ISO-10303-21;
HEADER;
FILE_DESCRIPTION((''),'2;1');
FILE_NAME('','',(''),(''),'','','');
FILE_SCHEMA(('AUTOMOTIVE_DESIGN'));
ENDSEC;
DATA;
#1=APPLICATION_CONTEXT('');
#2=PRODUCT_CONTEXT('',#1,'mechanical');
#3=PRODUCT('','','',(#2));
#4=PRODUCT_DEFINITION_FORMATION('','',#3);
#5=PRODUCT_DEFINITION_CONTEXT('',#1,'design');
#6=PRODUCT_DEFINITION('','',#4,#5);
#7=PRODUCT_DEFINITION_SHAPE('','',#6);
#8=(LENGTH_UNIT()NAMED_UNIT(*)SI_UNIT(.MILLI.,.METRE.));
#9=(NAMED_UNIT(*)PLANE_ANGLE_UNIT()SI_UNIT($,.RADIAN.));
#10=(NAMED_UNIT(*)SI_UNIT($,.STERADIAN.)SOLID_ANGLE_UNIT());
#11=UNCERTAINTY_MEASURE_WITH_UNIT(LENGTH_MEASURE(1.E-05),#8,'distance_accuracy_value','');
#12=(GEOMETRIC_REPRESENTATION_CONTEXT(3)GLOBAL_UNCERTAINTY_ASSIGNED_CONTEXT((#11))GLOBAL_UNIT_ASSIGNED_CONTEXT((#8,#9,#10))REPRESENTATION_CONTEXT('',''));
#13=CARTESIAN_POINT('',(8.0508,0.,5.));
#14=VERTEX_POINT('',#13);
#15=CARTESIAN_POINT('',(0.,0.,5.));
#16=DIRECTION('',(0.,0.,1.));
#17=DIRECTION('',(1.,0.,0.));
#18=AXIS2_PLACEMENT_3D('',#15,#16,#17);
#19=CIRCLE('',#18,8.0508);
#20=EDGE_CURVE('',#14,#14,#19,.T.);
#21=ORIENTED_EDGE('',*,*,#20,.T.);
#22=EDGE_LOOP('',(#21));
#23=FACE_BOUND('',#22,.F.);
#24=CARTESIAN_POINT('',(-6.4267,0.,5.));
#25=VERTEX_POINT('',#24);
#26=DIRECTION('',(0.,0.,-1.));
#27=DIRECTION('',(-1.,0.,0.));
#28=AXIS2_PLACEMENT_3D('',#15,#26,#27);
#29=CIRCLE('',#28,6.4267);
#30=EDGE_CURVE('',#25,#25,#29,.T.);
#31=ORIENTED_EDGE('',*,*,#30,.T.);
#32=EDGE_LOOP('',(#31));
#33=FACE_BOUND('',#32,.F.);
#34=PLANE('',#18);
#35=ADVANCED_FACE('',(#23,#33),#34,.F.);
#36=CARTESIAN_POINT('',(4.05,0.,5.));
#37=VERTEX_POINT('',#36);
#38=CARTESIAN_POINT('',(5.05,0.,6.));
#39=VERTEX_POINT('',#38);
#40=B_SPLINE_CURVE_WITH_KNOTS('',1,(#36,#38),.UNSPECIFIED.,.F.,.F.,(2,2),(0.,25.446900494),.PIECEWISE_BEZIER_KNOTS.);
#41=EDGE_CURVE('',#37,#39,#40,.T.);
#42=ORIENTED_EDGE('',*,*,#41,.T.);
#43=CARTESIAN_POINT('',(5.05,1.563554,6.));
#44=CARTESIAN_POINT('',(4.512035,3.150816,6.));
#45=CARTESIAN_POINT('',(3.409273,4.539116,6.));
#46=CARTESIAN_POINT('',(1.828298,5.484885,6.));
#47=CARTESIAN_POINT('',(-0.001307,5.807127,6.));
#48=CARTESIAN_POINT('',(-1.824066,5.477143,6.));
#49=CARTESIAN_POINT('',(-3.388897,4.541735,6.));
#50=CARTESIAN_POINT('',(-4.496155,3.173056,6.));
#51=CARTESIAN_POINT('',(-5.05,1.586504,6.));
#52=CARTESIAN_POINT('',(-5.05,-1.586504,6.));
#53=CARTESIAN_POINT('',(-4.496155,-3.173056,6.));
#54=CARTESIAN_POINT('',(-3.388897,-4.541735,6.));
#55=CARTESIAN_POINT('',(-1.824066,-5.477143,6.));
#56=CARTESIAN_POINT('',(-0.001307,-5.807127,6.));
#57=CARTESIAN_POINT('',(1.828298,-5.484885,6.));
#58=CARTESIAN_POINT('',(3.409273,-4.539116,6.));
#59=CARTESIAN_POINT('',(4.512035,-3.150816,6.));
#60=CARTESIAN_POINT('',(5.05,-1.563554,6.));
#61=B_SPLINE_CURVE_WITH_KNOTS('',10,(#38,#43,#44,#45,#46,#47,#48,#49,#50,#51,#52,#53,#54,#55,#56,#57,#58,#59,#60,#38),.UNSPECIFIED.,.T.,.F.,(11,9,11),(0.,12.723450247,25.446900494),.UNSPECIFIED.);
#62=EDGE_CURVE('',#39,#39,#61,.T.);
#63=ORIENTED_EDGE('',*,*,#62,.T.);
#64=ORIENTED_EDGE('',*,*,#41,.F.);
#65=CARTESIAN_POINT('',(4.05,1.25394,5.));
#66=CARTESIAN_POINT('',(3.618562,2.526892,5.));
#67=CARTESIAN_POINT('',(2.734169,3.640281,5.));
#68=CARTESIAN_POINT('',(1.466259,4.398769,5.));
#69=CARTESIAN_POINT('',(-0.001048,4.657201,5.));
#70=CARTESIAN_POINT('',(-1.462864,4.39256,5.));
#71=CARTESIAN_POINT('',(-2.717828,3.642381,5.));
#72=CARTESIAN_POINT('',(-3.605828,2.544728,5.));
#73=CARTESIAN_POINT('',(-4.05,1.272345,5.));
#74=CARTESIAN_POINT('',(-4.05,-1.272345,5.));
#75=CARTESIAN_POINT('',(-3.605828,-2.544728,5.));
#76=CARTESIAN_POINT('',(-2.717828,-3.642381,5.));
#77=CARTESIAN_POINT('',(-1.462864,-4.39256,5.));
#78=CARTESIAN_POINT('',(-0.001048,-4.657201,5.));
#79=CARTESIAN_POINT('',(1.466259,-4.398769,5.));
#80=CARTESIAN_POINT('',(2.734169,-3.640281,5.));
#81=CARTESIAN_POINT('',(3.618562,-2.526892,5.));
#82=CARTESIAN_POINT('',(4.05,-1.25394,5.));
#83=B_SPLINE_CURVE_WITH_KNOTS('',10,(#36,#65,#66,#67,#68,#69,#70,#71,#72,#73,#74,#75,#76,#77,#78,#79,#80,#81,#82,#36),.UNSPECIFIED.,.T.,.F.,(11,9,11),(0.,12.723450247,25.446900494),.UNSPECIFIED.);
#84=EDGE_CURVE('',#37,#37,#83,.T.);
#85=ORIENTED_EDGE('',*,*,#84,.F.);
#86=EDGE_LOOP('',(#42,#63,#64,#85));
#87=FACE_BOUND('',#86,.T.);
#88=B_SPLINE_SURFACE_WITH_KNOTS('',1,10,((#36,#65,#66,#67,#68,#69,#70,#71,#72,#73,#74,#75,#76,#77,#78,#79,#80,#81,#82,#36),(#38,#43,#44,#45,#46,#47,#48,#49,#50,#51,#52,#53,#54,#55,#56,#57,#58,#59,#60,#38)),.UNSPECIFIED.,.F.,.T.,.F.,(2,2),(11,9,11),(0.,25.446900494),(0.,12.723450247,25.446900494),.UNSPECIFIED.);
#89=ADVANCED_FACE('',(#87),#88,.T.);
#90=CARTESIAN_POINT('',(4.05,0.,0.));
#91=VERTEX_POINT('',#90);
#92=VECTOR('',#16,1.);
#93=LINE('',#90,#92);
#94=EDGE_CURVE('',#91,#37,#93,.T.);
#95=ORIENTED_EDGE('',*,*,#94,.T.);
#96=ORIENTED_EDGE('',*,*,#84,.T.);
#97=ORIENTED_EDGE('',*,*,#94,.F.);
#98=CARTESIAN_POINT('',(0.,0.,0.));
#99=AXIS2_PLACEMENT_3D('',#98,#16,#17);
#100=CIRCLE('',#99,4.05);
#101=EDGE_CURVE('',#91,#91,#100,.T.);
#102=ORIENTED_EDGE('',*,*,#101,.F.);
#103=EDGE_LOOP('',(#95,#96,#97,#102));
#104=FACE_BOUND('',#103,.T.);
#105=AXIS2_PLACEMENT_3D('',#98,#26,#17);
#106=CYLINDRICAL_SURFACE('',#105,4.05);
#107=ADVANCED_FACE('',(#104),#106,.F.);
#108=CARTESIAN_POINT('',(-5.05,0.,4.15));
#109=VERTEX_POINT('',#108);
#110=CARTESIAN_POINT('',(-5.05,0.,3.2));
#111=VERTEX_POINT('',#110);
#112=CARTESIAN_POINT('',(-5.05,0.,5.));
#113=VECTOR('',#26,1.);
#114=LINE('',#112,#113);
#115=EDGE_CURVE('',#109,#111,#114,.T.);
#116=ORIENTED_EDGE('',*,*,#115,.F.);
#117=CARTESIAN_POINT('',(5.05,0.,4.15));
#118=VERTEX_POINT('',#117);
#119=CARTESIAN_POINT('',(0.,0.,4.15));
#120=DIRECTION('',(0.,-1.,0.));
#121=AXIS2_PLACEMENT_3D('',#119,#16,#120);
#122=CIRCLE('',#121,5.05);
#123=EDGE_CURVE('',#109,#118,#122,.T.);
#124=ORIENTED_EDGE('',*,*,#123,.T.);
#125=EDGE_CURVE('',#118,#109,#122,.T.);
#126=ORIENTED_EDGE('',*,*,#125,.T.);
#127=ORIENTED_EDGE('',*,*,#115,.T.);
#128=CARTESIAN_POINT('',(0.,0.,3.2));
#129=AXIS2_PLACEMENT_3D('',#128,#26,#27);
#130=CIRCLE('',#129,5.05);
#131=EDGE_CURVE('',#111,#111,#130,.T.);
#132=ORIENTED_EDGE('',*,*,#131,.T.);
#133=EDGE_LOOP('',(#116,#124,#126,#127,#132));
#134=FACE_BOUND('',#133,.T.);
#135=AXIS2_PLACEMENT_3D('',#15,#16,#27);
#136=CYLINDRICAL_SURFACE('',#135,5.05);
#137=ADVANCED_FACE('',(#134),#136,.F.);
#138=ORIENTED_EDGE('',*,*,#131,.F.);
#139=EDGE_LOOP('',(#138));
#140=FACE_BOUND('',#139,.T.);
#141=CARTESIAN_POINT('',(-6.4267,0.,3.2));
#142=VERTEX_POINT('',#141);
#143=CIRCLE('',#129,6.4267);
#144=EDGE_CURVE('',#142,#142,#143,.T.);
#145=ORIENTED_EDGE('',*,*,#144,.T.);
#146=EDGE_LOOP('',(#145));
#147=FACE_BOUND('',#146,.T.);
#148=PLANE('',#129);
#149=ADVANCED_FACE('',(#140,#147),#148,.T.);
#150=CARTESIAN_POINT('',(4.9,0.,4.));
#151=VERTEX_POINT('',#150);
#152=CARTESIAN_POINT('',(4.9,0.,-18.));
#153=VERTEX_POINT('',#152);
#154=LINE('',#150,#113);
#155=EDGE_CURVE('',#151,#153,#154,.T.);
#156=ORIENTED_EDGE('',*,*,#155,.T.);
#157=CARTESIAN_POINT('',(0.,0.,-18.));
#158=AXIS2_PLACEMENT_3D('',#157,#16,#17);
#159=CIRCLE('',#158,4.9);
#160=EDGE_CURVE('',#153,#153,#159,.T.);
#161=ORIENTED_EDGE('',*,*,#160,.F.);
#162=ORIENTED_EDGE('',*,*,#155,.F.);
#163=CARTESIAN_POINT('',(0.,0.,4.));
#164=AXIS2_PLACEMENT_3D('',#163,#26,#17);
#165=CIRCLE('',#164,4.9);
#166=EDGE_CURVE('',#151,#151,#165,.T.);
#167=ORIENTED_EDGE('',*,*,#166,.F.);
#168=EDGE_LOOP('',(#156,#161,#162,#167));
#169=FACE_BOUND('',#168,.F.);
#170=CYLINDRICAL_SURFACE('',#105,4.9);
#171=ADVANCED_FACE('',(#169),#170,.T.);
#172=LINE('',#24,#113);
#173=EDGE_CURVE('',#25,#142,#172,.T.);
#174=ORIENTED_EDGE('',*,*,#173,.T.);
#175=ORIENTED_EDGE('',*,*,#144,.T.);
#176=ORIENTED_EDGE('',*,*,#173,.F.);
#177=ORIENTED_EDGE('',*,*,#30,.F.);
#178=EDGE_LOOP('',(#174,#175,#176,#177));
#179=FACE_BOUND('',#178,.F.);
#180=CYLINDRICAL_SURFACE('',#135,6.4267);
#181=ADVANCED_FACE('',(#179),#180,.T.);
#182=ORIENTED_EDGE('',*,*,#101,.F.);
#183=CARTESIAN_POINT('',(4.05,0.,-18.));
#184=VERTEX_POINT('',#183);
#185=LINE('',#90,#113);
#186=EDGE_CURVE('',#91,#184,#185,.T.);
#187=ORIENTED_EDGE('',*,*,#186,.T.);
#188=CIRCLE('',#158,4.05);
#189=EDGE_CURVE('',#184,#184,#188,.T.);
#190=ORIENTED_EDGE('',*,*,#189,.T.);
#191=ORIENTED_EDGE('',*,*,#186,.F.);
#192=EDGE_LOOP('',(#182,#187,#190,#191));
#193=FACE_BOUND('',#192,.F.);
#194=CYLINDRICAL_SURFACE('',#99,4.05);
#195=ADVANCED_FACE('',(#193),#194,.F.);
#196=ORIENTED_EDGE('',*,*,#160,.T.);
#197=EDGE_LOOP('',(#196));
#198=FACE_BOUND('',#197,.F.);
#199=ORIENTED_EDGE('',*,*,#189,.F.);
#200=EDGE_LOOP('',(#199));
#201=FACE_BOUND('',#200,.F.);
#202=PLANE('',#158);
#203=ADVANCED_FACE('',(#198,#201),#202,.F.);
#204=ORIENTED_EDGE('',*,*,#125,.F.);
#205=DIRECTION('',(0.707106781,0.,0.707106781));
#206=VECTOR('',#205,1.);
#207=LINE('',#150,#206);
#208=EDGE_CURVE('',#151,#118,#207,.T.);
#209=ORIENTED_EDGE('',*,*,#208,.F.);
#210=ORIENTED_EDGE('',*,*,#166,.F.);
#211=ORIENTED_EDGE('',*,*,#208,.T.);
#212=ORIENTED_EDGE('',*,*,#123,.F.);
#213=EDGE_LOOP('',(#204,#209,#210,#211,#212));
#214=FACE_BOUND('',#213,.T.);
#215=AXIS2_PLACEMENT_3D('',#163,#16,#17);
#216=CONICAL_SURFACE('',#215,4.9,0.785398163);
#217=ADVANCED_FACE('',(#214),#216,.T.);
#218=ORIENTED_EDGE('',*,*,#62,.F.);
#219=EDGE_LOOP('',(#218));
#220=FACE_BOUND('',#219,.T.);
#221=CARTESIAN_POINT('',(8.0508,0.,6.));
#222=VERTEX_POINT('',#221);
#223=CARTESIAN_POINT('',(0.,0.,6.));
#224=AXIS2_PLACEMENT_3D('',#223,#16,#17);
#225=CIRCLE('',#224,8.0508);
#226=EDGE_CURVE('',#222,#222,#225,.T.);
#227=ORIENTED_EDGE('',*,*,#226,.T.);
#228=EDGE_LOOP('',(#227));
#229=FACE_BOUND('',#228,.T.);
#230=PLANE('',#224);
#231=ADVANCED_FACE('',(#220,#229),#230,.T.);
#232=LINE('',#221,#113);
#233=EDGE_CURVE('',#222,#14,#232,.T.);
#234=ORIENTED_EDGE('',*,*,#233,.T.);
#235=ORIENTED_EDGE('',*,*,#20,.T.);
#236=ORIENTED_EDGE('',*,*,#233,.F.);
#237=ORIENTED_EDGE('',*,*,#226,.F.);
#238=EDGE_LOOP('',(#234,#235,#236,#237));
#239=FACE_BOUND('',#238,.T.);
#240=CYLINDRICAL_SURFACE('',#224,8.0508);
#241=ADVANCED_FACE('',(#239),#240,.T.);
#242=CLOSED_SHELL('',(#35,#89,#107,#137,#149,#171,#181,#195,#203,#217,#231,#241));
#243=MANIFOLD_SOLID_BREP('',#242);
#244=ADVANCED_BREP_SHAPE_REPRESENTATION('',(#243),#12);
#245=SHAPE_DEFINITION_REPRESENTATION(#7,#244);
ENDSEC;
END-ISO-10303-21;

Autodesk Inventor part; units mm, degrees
ref_plane "YZ Plane" through (0, 0, 0) normal (1, 0, 0) x (0, 1, 0)
ref_plane "XZ Plane" through (0, 0, 0) normal (0, 1, 0) x (-1, 0, 0)
sketch "Skizze1" plane through (0, 0, 0) normal (0, 0, 1) x (1, 0, 0)
  arc A0 (-2.8009, 5.3061) -> (2.8009, 5.3061) centre (0, 0) ccw projected
  circle A1 centre (0, 0) radius 5 projected
  circle A2 centre (0, 0) radius 4.9
  circle A3 centre (0, 0) radius 4.05
  point P0 (0, 0)
  dimension "d0" = 0.1
  dimension "d1" = 8.1
extrude "Extrusion1" add sketch "Skizze1" along normal blind 6 and the other way blind 18 contours A2
sketch "Skizze2" plane through (0, 0, 6) normal (0, 0, 1) x (1, 0, 0)
  circle A0 centre (0, 0) radius 4.9 projected
  circle A1 centre (0, 0) radius 8.5508 projected
  circle A2 centre (0, 0) radius 7.7 projected
  circle A3 centre (0, 0) radius 8.0508
  point P0 (0, 0)
  dimension "d4" = 0.5
extrude "Extrusion2" add sketch "Skizze2" against normal blind 1 contours A2 | A3
chamfer "Fase1" distance 1 angle 45 2 edges at (-4.9, 0, 5) (-4.05, 0, 6)
sketch "Skizze3" plane through (0, 0, 5) normal (0, 0, -1) x (-1, 0, 0)
  circle A0 centre (0, 0) radius 4.9 projected
  circle A1 centre (0, 0) radius 5.05 projected
  circle A2 centre (0, 0) radius 4.1058
  circle A3 centre (0, 0) radius 6.4267
  point P0 (0, 0)
ref_plane "Arbeitsebene1" through (-19.3, -19.3, 3.2) normal (0, 0, 1) x (1, 0, 0)
extrude "Extrusion3" add sketch "Skizze3" along normal up to surface (1.8 mm away)
properties part number "50_ETL_Motionpart1_v0"
